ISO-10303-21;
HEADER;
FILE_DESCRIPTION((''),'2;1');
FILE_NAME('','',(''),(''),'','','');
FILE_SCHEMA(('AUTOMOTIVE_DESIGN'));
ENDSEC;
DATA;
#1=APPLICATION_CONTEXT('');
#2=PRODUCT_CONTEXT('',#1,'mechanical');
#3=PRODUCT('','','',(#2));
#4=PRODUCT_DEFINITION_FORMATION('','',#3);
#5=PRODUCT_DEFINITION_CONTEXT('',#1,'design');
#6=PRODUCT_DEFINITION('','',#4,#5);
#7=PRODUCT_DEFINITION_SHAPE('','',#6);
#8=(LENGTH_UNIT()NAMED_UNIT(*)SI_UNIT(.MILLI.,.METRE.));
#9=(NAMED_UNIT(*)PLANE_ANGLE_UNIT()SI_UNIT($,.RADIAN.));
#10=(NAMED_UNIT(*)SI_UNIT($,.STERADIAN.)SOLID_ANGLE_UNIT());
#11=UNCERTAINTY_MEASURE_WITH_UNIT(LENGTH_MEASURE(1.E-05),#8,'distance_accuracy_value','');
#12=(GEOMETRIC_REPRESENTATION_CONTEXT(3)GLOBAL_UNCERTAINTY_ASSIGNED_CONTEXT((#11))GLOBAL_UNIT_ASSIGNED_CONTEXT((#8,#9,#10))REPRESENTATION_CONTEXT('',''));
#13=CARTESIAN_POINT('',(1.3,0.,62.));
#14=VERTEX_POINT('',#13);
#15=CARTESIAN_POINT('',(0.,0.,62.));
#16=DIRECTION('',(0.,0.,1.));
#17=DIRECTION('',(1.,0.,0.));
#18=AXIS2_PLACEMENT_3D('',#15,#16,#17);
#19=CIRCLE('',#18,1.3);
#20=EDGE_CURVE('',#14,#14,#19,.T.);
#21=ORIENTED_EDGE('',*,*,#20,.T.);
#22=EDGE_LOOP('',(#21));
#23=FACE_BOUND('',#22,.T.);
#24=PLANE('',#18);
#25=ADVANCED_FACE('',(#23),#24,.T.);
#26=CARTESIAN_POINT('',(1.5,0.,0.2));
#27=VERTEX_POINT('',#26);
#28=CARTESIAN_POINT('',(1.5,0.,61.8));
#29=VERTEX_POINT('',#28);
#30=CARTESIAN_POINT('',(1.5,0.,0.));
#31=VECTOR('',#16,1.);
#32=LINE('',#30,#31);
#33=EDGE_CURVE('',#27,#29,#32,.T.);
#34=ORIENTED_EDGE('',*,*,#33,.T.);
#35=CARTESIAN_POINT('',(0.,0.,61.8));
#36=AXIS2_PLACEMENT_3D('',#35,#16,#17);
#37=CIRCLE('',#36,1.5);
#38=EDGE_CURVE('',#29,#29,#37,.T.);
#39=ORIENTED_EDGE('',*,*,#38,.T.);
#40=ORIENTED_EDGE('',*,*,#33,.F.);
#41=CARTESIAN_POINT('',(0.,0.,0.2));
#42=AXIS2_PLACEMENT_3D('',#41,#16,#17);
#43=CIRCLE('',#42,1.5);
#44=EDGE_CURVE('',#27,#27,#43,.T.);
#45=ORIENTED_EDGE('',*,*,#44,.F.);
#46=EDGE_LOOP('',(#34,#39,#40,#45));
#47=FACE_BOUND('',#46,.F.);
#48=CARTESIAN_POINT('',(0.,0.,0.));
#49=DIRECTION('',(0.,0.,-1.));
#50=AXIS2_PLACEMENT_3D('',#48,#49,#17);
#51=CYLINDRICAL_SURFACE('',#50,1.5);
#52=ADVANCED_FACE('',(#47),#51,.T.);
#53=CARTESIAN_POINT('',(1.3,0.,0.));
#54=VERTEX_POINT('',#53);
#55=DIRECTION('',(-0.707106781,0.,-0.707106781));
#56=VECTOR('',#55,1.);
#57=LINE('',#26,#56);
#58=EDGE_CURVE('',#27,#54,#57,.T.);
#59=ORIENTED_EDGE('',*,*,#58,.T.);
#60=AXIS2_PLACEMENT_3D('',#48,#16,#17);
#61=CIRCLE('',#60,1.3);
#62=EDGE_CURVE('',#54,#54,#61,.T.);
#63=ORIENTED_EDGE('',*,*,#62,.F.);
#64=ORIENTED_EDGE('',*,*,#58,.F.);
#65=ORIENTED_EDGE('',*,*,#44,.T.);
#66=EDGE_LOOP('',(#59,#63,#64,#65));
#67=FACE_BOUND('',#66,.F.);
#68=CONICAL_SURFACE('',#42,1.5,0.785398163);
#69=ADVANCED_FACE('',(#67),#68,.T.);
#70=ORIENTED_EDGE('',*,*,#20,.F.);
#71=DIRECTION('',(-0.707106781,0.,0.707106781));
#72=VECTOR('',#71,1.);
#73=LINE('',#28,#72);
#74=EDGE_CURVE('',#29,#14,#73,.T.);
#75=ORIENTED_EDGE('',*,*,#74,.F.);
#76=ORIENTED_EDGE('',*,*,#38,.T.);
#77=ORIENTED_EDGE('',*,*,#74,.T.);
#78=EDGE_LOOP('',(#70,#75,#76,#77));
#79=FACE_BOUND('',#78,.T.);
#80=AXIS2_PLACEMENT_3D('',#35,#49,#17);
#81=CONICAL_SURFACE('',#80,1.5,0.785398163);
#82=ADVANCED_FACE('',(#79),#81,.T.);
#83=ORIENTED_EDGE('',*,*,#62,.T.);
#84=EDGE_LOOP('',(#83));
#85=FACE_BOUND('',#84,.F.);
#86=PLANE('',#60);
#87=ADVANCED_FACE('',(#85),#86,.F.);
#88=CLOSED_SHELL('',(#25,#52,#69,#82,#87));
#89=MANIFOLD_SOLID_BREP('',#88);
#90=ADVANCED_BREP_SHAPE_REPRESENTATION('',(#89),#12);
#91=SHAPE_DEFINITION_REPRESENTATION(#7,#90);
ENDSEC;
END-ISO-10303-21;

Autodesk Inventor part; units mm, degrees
ref_plane "YZ Plane" through (0, 0, 0) normal (1, 0, 0) x (0, 1, 0)
ref_plane "XZ Plane" through (0, 0, 0) normal (0, 1, 0) x (-1, 0, 0)
ref_plane "XY Plane" through (0, 0, 0) normal (0, 0, 1) x (1, 0, 0)
sketch "Skizze1" plane through (0, 0, 0) normal (0, 0, 1) x (1, 0, 0)
  circle A0 centre (0, 0) radius 1.5
  dimension "d0" = 3
extrude "Extrusion1" add sketch "Skizze1" along normal blind 62
chamfer "Fase1" distance 0.2 angle 45 2 edges at (-1.5, 0, 62) (-1.5, 0, 0)
properties part number "Shaft_6mmx62mm" material "Edelstahl"
